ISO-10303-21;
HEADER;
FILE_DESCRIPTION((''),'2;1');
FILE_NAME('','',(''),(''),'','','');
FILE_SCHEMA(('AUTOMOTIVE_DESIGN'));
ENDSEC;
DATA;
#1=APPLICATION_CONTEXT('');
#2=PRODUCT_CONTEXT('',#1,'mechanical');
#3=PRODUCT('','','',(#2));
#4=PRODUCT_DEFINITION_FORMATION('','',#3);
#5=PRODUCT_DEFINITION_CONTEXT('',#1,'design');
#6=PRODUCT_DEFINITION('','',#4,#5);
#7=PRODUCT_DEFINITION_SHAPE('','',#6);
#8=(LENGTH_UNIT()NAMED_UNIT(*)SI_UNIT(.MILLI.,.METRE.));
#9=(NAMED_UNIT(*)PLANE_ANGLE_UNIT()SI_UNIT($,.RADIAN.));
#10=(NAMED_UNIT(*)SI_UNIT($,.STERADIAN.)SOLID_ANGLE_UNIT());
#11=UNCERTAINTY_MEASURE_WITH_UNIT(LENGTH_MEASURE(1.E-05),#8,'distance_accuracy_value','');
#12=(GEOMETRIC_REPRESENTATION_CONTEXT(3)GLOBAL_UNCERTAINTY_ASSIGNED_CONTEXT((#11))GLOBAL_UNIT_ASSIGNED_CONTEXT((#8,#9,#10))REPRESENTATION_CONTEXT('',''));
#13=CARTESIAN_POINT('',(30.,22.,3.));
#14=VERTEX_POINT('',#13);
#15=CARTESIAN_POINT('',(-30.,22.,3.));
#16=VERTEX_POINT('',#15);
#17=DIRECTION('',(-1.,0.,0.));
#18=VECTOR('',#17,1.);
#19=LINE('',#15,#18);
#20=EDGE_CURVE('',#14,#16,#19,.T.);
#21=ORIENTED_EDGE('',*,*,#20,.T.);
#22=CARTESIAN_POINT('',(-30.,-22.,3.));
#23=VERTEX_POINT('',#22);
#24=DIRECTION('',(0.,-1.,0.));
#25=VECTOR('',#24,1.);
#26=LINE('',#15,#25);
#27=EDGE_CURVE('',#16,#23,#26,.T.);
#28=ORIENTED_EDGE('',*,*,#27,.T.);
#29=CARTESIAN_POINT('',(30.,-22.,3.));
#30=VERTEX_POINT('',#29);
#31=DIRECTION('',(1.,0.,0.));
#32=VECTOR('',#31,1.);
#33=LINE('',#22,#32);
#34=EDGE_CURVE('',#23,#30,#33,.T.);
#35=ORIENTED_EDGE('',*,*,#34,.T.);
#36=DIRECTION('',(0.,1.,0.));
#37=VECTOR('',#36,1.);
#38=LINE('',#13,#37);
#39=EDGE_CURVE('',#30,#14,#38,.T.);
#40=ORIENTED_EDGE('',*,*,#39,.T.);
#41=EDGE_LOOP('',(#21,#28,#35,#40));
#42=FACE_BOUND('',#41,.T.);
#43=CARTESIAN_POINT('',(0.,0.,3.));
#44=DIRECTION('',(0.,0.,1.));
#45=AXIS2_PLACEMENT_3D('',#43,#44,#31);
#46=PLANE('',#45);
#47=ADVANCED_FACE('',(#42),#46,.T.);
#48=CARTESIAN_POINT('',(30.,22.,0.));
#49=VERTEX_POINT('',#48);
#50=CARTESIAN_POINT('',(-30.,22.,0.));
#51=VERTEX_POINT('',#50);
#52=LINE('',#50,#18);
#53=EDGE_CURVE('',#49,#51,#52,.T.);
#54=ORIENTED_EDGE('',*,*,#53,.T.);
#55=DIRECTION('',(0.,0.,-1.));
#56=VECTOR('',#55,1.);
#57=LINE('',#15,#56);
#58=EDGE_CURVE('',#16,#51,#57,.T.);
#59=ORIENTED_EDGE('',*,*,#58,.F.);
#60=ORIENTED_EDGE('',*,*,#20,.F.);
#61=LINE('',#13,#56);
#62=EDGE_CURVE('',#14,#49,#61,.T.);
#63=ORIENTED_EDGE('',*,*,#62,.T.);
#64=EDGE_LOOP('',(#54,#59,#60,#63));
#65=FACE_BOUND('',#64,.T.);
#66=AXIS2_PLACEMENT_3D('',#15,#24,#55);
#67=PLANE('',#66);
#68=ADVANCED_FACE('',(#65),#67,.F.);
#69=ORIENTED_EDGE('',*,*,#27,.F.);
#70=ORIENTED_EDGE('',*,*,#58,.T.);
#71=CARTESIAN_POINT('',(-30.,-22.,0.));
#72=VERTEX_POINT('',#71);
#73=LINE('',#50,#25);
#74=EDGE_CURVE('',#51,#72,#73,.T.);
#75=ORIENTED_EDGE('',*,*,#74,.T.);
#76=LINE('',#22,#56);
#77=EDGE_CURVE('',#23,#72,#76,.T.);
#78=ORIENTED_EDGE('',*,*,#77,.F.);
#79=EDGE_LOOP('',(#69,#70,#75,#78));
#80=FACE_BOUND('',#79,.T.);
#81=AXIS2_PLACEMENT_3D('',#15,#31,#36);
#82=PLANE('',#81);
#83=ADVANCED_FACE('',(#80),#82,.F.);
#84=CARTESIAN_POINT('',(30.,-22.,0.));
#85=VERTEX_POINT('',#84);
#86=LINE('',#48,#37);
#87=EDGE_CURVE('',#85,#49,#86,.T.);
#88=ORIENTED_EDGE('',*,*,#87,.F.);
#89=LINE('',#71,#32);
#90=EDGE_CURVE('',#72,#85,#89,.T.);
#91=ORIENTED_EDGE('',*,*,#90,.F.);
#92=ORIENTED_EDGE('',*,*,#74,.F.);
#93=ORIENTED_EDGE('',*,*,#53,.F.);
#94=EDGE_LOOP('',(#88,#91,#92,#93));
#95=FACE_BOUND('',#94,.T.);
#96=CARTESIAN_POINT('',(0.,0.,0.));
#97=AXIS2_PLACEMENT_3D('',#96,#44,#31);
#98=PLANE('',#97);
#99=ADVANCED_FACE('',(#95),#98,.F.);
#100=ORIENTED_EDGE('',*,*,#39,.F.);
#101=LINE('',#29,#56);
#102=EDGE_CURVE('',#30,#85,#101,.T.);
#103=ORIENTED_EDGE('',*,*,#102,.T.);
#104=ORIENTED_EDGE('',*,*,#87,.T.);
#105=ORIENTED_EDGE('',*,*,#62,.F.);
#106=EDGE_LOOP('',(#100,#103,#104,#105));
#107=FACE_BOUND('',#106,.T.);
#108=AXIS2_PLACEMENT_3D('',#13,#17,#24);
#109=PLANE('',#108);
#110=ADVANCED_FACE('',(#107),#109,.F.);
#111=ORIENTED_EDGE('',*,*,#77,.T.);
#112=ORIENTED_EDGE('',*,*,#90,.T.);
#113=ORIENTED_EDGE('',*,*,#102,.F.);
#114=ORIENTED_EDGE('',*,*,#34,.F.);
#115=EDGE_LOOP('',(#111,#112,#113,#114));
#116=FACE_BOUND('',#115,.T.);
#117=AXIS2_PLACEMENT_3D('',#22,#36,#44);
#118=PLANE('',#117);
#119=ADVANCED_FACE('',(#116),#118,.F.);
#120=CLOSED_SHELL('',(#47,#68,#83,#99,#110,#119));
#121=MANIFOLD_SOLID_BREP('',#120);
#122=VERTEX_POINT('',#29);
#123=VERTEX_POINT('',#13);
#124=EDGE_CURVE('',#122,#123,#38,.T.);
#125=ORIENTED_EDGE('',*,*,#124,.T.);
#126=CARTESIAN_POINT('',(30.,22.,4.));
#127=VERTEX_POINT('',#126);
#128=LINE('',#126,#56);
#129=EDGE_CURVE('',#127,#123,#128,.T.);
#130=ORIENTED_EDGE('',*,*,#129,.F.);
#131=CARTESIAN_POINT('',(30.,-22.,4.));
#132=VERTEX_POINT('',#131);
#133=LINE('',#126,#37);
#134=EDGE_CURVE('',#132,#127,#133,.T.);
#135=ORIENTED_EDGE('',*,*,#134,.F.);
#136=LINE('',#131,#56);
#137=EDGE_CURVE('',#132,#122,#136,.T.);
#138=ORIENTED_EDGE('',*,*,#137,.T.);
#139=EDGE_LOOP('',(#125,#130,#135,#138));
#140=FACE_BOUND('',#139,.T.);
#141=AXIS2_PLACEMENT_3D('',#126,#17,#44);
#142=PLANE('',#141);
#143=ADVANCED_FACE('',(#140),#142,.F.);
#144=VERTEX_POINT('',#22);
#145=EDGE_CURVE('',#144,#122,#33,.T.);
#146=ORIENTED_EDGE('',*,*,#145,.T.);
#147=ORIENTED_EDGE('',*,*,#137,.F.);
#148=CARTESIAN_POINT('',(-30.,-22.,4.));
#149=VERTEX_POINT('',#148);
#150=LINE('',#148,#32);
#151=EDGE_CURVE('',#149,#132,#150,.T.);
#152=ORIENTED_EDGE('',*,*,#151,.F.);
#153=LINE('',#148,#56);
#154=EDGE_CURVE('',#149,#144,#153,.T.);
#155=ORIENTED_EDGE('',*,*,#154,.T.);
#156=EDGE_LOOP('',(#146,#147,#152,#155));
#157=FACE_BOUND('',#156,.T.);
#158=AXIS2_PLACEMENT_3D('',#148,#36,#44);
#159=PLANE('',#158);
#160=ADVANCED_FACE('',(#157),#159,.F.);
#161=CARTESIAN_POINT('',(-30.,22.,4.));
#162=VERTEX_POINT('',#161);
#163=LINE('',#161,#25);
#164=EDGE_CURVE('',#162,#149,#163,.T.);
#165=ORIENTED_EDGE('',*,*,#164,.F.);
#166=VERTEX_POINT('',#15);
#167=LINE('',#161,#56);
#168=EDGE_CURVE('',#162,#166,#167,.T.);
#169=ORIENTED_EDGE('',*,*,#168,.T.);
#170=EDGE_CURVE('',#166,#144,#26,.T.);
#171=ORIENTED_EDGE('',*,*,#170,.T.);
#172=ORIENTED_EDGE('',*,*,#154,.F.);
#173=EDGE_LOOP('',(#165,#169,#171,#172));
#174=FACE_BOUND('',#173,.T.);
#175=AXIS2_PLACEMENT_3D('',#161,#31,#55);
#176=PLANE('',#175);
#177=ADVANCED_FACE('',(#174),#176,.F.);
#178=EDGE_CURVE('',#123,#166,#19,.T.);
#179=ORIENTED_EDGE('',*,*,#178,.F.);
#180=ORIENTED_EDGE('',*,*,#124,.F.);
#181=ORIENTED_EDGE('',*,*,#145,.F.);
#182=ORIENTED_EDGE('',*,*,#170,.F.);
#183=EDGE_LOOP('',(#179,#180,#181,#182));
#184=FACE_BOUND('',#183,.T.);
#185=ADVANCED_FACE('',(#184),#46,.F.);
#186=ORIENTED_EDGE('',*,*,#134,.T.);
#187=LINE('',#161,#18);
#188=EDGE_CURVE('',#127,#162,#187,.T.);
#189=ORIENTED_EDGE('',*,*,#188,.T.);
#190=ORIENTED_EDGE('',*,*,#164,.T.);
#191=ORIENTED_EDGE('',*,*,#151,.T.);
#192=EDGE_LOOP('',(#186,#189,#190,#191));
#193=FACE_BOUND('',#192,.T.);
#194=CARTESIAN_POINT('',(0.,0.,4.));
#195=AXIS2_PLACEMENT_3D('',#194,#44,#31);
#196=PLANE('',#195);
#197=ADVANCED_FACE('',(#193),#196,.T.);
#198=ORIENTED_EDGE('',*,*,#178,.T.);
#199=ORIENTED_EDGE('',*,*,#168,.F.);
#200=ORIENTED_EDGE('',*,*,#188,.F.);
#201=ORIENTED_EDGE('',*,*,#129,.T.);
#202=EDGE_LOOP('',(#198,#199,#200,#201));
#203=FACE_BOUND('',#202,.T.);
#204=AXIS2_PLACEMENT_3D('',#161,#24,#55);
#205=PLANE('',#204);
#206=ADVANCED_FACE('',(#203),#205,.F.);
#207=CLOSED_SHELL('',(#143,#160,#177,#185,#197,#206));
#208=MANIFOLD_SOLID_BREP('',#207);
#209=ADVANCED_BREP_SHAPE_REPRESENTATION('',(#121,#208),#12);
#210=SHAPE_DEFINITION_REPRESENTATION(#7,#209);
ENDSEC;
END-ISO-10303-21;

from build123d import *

# Parameters (mm, degrees)
SKETCH2_W           = 60
SKETCH2_H           = 44
BOSS_EXTRUDE1_DEPTH = 3
SKETCH3_W           = 60
SKETCH3_H           = 44
BOSS_EXTRUDE2_DEPTH = 1


with BuildPart() as part:
    # Sketch2 → Boss-Extrude1 (new body)
    with BuildSketch(Plane.XY):
        Rectangle(SKETCH2_W, SKETCH2_H)
    extrude(amount=BOSS_EXTRUDE1_DEPTH)


with BuildPart() as body_2:
    # Sketch3 → Boss-Extrude2 (new body)
    with BuildSketch(Plane.XY.offset(3)):
        Rectangle(SKETCH3_W, SKETCH3_H)
    extrude(amount=BOSS_EXTRUDE2_DEPTH)


solid = Compound([part.part, body_2.part])
